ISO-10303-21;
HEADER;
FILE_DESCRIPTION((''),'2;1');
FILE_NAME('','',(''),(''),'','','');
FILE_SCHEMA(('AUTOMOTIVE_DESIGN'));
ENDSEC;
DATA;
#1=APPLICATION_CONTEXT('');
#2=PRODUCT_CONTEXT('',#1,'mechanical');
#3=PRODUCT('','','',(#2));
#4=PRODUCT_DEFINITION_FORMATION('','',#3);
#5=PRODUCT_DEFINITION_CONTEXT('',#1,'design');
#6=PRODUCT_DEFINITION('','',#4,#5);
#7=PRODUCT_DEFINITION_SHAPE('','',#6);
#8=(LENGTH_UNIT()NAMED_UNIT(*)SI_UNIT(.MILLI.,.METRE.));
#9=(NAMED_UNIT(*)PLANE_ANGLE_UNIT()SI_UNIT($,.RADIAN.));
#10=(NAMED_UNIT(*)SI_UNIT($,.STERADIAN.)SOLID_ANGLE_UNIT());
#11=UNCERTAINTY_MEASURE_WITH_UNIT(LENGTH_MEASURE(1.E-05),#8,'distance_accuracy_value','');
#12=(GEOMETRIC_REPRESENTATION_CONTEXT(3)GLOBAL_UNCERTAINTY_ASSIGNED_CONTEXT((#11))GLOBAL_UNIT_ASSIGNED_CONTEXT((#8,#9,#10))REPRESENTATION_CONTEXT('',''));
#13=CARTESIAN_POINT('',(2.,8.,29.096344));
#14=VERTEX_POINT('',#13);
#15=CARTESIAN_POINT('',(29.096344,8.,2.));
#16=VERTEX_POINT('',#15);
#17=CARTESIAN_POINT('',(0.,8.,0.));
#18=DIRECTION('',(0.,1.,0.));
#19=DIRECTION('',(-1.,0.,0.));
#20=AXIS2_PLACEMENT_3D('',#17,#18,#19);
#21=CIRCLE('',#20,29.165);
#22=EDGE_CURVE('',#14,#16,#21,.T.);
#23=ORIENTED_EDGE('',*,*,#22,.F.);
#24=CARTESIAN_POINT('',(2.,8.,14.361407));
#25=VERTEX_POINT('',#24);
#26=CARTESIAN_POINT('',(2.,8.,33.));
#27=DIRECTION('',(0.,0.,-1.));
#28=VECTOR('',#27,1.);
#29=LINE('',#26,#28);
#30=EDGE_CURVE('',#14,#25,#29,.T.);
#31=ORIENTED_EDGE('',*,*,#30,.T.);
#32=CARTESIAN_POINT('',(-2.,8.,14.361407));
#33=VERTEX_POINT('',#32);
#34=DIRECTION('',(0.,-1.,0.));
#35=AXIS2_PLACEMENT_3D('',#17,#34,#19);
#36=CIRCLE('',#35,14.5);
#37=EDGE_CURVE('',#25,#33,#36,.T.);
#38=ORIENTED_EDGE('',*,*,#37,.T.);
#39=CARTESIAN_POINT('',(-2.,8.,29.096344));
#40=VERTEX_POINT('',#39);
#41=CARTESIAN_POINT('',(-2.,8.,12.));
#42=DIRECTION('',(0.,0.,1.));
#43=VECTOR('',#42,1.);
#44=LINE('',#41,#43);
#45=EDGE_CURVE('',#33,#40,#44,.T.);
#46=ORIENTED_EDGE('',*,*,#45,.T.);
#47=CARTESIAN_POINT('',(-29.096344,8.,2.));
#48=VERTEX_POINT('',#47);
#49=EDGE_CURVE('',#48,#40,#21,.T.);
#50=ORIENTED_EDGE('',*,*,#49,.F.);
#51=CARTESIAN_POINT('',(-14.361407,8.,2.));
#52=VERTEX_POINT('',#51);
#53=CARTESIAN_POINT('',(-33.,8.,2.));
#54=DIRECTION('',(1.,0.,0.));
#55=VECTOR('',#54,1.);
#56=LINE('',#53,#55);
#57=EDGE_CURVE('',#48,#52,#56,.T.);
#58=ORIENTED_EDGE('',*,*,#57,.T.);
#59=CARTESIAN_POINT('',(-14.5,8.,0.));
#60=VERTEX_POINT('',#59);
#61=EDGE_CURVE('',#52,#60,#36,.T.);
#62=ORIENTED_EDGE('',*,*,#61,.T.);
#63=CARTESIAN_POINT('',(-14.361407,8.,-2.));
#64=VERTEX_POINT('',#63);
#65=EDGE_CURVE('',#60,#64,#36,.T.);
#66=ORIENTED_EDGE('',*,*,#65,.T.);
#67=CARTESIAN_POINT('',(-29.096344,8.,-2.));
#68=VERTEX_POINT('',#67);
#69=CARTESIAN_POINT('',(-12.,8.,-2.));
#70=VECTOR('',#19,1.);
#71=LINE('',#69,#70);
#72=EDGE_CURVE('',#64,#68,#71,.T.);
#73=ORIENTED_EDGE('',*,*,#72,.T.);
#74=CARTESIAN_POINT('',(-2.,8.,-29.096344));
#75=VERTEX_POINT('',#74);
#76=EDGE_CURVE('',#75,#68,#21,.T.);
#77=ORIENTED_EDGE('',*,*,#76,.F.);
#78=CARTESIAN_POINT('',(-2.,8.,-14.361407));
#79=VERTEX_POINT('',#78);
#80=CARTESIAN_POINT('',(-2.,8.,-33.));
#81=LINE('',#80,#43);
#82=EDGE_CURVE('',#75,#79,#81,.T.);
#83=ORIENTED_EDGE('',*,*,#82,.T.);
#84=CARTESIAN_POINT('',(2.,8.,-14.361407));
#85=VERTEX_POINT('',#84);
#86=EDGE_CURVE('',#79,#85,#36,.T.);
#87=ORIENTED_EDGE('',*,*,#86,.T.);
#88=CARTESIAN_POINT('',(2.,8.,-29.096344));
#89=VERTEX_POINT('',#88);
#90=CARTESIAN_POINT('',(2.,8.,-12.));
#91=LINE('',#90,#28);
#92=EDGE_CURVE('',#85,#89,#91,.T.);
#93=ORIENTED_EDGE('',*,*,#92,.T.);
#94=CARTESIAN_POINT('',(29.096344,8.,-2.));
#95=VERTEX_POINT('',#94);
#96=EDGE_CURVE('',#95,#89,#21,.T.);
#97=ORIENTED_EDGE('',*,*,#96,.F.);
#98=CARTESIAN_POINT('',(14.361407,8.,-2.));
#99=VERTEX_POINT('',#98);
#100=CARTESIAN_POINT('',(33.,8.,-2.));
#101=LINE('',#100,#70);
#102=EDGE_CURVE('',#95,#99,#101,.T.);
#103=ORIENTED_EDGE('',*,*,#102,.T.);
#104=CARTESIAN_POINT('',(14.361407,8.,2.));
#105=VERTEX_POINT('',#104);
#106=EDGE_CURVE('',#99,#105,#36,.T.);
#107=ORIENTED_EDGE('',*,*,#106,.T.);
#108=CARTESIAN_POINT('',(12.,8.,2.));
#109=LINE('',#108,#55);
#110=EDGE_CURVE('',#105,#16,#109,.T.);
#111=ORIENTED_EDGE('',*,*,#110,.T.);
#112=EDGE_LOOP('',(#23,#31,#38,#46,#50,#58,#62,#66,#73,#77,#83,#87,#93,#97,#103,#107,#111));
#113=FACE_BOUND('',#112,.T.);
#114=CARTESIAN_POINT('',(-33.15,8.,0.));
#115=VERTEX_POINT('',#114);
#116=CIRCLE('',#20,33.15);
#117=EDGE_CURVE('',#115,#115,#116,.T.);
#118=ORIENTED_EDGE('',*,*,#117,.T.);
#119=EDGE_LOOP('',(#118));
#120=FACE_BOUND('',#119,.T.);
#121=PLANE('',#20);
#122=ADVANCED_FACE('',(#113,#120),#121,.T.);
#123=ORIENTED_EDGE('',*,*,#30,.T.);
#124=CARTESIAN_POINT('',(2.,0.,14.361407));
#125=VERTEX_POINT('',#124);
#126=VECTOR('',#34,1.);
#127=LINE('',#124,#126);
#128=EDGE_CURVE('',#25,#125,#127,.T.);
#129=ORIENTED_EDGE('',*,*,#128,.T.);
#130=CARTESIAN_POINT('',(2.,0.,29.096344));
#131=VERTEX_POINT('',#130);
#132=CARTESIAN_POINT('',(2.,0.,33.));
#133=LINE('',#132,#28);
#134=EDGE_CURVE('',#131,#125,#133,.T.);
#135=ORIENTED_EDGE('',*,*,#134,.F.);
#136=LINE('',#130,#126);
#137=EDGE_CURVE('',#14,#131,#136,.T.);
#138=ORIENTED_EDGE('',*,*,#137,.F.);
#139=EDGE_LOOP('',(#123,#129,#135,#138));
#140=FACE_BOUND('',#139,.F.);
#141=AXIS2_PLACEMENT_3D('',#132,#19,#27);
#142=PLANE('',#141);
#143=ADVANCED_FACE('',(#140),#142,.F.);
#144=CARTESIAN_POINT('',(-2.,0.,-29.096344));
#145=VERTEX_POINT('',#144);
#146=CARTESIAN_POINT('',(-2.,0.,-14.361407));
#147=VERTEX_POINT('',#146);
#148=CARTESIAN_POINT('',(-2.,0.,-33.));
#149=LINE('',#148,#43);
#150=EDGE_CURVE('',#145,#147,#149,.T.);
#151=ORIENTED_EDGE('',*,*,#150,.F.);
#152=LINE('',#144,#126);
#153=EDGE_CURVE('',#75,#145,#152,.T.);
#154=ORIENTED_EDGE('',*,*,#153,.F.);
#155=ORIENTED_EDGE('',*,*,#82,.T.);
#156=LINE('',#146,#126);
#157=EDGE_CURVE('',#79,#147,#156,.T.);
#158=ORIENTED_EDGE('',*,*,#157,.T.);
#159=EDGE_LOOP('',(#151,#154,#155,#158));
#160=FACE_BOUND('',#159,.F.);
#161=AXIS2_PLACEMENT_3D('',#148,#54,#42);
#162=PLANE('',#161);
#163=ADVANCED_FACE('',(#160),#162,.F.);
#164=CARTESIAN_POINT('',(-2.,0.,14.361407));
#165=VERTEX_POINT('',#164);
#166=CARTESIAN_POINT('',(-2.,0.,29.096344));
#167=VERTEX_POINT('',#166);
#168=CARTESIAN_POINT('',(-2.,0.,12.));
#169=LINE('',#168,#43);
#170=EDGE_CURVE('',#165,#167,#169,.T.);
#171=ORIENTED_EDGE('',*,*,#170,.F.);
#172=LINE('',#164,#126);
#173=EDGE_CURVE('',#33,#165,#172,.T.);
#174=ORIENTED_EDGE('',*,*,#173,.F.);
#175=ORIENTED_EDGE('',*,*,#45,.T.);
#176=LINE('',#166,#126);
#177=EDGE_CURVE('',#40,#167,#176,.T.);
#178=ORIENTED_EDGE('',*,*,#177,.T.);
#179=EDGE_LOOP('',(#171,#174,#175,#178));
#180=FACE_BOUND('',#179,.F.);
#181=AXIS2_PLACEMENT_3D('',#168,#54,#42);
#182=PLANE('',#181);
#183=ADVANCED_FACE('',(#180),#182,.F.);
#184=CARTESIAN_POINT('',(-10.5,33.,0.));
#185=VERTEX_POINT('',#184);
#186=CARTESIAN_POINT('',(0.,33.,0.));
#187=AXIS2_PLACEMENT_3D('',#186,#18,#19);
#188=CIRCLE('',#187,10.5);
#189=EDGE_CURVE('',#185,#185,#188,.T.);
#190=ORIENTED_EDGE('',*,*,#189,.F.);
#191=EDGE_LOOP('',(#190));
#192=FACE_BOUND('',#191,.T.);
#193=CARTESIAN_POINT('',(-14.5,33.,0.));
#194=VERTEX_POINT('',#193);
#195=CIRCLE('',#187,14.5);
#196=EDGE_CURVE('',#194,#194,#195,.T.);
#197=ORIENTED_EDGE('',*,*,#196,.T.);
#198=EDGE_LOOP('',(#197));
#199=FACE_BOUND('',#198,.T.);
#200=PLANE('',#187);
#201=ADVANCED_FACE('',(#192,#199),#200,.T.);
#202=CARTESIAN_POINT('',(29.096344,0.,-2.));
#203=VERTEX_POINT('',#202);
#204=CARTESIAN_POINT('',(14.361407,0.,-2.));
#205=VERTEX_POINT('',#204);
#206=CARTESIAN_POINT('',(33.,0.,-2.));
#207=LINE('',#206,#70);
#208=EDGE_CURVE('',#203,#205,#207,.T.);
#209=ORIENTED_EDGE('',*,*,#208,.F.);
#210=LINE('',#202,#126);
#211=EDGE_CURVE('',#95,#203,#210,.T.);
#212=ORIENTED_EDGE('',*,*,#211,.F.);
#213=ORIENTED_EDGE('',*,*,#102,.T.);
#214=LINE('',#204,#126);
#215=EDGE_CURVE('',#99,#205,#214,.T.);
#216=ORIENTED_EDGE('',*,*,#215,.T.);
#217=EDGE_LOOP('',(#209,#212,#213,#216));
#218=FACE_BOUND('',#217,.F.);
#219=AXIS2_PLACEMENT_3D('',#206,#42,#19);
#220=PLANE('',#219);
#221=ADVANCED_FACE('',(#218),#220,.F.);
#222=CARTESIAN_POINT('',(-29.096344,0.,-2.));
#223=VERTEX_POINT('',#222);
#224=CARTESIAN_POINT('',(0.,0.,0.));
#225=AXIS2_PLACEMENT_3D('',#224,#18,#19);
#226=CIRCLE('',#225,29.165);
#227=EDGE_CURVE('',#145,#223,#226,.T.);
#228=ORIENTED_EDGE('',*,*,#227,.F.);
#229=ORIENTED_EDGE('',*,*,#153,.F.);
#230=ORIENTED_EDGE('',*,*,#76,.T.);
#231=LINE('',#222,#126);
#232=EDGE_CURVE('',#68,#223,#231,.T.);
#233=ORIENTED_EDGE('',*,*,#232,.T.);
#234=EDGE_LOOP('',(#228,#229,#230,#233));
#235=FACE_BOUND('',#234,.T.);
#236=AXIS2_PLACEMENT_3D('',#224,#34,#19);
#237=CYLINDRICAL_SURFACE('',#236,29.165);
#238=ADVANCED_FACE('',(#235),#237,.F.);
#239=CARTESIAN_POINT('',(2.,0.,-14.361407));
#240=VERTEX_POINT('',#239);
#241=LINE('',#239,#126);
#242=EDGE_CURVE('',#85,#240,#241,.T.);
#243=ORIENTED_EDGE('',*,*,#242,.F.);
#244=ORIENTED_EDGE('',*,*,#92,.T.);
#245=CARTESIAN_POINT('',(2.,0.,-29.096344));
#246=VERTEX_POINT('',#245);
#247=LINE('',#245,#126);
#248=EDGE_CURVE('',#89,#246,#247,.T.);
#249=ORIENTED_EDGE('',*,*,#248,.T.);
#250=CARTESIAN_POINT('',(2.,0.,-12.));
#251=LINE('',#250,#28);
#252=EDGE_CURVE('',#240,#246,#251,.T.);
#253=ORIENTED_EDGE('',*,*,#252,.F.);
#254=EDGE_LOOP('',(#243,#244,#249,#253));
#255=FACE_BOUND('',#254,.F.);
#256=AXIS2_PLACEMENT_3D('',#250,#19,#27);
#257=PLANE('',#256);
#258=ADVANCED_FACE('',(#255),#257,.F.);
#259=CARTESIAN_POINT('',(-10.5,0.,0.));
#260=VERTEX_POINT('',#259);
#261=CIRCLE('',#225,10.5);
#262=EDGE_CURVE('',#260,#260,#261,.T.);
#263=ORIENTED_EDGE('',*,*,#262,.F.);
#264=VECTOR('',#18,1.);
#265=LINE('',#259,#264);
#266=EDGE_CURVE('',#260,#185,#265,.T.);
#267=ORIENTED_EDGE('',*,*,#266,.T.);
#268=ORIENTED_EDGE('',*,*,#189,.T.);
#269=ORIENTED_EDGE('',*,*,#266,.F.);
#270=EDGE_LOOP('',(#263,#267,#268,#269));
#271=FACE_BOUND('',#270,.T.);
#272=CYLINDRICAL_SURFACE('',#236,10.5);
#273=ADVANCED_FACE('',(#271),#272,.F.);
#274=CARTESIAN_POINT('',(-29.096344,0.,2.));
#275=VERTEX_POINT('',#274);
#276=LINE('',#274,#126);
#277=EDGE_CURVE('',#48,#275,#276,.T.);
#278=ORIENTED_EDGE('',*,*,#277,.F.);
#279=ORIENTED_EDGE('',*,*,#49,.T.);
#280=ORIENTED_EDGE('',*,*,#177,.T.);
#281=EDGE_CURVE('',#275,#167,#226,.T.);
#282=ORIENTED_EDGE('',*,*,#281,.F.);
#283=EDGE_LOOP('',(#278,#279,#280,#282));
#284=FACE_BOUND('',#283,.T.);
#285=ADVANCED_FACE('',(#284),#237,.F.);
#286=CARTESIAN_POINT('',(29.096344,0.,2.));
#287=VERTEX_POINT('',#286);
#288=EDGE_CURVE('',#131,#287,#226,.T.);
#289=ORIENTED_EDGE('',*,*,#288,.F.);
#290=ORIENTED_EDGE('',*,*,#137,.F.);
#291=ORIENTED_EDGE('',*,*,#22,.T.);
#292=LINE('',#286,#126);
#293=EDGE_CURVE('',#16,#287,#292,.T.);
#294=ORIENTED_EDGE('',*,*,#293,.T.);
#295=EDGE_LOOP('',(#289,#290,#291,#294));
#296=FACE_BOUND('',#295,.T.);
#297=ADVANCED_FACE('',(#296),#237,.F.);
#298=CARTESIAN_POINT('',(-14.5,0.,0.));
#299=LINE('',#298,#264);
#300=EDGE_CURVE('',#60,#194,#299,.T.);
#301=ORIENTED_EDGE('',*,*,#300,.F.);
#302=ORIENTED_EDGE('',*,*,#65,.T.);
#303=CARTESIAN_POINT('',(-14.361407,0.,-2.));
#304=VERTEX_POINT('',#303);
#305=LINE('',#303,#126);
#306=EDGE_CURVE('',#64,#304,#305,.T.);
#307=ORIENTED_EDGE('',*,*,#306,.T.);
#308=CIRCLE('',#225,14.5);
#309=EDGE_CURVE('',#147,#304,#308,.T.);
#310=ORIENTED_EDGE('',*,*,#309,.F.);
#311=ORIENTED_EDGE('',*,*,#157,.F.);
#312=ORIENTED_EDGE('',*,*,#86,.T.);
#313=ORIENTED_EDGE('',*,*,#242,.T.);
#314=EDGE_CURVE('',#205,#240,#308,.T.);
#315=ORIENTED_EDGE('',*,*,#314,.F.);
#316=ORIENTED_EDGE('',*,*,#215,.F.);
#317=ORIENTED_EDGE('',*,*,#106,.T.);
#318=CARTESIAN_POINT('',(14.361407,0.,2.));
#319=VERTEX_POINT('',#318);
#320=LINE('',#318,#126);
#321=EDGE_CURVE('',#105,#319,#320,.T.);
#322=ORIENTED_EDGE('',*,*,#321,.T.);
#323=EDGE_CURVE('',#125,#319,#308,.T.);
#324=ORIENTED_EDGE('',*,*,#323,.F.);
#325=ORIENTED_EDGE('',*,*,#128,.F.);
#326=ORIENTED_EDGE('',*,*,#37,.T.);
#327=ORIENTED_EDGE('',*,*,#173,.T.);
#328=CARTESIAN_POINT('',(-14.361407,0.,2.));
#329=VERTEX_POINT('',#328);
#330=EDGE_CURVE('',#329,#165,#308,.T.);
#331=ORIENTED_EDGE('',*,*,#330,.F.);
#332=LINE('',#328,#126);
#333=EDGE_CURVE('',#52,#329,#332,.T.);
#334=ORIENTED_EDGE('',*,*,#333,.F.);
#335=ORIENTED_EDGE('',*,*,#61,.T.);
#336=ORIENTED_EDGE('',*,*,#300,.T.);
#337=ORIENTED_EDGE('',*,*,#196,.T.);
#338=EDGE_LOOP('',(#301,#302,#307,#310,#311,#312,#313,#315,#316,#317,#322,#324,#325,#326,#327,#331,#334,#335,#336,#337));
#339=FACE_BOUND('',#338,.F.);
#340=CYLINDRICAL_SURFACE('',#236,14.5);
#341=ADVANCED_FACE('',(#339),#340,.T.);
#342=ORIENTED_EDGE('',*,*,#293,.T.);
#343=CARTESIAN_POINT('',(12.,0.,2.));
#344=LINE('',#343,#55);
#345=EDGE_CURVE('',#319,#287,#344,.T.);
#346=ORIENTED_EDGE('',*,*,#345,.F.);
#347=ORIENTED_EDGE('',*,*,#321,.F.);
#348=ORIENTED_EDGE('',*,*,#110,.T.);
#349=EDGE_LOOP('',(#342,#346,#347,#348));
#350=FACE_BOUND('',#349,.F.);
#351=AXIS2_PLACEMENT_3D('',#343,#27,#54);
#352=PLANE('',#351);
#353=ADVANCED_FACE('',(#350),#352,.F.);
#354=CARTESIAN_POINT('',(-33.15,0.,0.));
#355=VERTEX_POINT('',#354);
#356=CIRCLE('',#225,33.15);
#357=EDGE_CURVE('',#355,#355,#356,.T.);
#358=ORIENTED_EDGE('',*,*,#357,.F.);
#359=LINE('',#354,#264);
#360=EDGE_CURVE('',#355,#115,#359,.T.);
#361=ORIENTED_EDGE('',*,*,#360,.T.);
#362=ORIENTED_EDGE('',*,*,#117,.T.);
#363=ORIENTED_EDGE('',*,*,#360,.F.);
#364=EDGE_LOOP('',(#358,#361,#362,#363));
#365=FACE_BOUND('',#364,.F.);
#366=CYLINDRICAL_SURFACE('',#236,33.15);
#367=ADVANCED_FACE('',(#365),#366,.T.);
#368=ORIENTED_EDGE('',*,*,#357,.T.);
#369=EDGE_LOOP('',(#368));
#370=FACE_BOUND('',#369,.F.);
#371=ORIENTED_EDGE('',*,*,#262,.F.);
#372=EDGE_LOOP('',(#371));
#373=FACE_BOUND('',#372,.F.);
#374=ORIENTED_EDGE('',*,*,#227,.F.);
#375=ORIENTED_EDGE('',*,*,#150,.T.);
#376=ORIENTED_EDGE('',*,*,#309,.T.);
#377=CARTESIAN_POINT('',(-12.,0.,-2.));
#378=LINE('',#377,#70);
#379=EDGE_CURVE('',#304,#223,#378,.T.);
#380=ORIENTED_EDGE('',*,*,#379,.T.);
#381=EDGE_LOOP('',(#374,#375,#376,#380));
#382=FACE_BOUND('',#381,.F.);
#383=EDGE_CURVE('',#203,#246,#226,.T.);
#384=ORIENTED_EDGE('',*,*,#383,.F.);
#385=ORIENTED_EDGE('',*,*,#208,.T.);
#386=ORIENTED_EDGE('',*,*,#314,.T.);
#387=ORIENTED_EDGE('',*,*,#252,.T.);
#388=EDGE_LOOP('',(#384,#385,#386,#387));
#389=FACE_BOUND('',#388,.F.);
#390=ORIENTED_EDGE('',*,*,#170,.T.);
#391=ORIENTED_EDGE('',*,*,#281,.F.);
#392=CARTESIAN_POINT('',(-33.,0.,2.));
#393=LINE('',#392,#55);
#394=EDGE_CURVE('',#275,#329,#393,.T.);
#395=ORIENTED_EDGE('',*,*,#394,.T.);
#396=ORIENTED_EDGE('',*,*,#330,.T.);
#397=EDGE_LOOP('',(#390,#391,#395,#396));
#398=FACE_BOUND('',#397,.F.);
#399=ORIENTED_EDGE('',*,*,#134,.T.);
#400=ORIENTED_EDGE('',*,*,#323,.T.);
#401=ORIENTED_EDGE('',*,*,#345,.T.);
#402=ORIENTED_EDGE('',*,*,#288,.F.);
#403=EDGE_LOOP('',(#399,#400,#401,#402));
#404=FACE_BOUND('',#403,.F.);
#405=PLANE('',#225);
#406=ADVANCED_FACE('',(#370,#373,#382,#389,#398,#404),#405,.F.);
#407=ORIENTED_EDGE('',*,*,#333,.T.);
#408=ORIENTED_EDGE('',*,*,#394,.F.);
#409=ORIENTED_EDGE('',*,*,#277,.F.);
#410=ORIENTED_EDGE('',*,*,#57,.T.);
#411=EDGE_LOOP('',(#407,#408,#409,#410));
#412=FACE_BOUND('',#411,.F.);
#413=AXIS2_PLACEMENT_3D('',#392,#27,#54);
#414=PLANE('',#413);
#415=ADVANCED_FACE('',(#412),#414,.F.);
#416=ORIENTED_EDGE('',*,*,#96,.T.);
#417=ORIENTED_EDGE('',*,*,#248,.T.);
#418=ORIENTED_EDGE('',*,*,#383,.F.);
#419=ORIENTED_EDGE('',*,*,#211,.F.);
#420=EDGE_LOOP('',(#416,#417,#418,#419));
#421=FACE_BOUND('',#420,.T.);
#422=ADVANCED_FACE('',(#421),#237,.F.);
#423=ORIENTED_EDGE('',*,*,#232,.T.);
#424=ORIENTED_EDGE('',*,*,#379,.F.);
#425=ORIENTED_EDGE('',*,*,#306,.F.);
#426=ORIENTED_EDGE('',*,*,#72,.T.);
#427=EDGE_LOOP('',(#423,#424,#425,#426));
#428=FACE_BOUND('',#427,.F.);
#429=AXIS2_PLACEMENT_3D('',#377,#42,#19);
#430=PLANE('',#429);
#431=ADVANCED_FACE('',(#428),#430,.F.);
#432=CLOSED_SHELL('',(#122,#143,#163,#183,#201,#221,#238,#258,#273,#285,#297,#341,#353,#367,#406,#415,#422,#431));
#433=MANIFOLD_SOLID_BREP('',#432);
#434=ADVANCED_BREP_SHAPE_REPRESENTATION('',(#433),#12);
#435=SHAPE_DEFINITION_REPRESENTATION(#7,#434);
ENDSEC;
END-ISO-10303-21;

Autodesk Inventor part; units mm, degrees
ref_plane "YZ Plane" through (0, 0, 0) normal (1, 0, 0) x (0, 1, 0)
ref_plane "XZ Plane" through (0, 0, 0) normal (0, 1, 0) x (-1, 0, 0)
ref_plane "XY Plane" through (0, 0, 0) normal (0, 0, 1) x (1, 0, 0)
sketch "Sketch1" plane through (0, 0, 0) normal (0, 1, 0) x (-1, 0, 0)
  circle A0 centre (0, 0) radius 33.15
  circle A1 centre (0, 0) radius 29.165
  circle A2 centre (0, 0) radius 10.5
  circle A3 centre (0, 0) radius 14.5
  dimension "d0" = 66.3
  dimension "d1" = 58.33
  dimension "d2" = 21
  dimension "d3" = 29
sketch "Sketch2" plane through (0, 0, 0) normal (0, 1, 0) x (-1, 0, 0)
  line L0 (2, 33) -> (-2, 33)
  line L1 (-2, 33) -> (-2, 12)
  line L2 (-2, 12) -> (2, 12)
  line L3 (2, 12) -> (2, 33)
  line L4 (33, 2) -> (12, 2)
  line L5 (12, 2) -> (12, -2)
  line L6 (12, -2) -> (33, -2)
  line L7 (33, -2) -> (33, 2)
  line L8 (2, -12) -> (-2, -12)
  line L9 (-2, -12) -> (-2, -33)
  line L10 (-2, -33) -> (2, -33)
  line L11 (2, -33) -> (2, -12)
  line L12 (-12, 2) -> (-33, 2)
  line L13 (-33, 2) -> (-33, -2)
  line L14 (-33, -2) -> (-12, -2)
  line L15 (-12, -2) -> (-12, 2)
  point P0 (0, 0)
  point P1 (12, 0)
  point P2 (0, -12)
  point P3 (-33, 0)
  dimension "d4" = 4
  dimension "d5" = 4
  dimension "d6" = 12
  dimension "d7" = 12
  dimension "d8" = 12
  dimension "d9" = 12
  dimension "d10" = 21
  dimension "d11" = 21
  dimension "d12" = 21
  dimension "d13" = 21
  dimension "d14" = 2
  dimension "d15" = 2
extrude "Extrusion1" add sketch "Sketch1" along normal blind 8
extrude "Extrusion2" add sketch "Sketch2" along normal blind 8
extrude "Extrusion3" add sketch "Sketch1" along normal blind 33 contours A3
equation "\"d11\" = d10"
equation "\"d12\" = d10"
equation "\"d13\" = d10"
properties part number "Calibrator"
